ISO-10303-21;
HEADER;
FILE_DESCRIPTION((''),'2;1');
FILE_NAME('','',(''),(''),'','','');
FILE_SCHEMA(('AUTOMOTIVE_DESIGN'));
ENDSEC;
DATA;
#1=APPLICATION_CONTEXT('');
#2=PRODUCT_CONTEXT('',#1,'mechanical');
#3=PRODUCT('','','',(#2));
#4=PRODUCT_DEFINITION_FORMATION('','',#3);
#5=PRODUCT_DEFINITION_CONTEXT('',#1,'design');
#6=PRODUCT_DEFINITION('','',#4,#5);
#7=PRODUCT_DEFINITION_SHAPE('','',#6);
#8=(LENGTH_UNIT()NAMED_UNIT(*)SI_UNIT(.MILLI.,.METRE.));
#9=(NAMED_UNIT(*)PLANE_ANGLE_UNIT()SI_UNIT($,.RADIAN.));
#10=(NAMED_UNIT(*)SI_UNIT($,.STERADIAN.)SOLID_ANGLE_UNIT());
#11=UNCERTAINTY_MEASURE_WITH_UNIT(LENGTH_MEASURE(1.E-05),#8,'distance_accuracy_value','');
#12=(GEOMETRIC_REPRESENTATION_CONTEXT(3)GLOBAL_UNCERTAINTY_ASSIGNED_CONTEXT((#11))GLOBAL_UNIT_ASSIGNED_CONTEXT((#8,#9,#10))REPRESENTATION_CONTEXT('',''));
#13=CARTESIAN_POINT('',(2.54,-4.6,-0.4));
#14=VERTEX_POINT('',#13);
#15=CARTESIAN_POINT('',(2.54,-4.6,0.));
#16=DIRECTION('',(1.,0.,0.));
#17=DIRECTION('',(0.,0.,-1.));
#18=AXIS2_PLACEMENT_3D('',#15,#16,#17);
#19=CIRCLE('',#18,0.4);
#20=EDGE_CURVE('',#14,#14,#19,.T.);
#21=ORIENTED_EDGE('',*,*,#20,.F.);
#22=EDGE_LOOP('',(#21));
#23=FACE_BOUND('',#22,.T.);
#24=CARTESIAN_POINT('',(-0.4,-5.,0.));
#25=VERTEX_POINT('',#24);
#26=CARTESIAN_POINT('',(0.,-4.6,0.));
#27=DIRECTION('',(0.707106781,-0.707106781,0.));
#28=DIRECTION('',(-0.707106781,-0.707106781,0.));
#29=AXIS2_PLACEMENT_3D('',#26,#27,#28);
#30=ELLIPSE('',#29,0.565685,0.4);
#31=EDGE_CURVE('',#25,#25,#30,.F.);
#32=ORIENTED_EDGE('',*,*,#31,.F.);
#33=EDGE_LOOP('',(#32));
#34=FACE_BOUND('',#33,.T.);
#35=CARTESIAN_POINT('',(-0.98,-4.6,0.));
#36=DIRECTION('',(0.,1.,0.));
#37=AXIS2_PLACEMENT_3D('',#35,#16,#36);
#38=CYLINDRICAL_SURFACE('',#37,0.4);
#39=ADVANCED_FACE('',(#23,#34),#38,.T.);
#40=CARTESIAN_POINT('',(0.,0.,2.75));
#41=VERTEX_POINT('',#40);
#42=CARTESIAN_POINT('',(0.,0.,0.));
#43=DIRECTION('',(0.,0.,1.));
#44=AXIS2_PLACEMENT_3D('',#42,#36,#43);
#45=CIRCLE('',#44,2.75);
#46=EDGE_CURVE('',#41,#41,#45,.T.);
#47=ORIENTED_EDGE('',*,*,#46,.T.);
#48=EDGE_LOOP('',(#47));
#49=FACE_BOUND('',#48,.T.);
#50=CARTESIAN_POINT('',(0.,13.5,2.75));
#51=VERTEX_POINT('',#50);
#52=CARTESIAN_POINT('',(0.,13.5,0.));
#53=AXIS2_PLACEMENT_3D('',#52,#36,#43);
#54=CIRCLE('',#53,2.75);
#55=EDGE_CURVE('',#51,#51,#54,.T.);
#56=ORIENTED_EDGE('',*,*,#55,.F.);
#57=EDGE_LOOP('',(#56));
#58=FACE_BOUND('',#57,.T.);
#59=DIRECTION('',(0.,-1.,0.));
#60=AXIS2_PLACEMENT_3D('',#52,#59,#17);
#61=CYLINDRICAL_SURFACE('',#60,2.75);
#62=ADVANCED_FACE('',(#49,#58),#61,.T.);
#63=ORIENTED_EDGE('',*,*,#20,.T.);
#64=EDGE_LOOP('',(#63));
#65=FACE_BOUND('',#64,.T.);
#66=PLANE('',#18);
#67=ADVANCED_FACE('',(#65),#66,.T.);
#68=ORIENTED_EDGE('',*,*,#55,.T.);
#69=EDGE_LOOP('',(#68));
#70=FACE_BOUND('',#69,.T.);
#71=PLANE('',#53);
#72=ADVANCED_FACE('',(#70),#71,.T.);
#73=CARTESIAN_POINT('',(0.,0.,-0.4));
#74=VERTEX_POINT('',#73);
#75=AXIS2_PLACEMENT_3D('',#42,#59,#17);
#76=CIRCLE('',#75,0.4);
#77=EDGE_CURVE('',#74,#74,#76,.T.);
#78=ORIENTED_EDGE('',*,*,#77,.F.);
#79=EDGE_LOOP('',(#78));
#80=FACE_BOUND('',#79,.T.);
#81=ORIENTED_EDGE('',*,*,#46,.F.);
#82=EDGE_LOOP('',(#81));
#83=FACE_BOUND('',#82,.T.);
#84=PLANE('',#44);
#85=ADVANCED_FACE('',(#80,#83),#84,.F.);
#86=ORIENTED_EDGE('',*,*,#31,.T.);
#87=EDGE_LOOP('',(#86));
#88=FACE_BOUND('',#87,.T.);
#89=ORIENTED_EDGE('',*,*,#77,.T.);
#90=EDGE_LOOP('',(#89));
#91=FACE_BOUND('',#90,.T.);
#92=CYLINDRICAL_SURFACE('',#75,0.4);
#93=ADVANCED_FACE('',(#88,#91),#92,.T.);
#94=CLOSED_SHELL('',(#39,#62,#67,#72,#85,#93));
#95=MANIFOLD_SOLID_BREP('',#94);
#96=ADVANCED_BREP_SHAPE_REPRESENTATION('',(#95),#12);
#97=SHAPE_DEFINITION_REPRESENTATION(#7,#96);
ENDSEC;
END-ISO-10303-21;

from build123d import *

# Parameters (mm, degrees)
SKETCH1_R           = 2.75
BOSS_EXTRUDE1_DEPTH = 13.5
SKETCH4_R           = 0.4


with BuildPart() as part:
    # Sketch1 → Boss-Extrude1 (new body)
    with BuildSketch(Plane(origin=(0, 0, 0), x_dir=(1, 0, 0), z_dir=(0, 1, 0))):
        with Locations(Location((0, 0, 0), (0, 0, 270))):
            Circle(SKETCH1_R)
    extrude(amount=BOSS_EXTRUDE1_DEPTH)

    # Sweep1: sweep along a curve in space
    with BuildLine() as sweep1_path:
        Line((0, 0, 0), (0, -4.6, 0))
        Line((0, -4.6, 0), (2.54, -4.6, 0))
    # Sketch4 → Sweep1 (sweep)
    with BuildSketch(Plane.XZ):
        Circle(SKETCH4_R)
    sweep(path=sweep1_path.line, transition=Transition.RIGHT)


solid = part.part
